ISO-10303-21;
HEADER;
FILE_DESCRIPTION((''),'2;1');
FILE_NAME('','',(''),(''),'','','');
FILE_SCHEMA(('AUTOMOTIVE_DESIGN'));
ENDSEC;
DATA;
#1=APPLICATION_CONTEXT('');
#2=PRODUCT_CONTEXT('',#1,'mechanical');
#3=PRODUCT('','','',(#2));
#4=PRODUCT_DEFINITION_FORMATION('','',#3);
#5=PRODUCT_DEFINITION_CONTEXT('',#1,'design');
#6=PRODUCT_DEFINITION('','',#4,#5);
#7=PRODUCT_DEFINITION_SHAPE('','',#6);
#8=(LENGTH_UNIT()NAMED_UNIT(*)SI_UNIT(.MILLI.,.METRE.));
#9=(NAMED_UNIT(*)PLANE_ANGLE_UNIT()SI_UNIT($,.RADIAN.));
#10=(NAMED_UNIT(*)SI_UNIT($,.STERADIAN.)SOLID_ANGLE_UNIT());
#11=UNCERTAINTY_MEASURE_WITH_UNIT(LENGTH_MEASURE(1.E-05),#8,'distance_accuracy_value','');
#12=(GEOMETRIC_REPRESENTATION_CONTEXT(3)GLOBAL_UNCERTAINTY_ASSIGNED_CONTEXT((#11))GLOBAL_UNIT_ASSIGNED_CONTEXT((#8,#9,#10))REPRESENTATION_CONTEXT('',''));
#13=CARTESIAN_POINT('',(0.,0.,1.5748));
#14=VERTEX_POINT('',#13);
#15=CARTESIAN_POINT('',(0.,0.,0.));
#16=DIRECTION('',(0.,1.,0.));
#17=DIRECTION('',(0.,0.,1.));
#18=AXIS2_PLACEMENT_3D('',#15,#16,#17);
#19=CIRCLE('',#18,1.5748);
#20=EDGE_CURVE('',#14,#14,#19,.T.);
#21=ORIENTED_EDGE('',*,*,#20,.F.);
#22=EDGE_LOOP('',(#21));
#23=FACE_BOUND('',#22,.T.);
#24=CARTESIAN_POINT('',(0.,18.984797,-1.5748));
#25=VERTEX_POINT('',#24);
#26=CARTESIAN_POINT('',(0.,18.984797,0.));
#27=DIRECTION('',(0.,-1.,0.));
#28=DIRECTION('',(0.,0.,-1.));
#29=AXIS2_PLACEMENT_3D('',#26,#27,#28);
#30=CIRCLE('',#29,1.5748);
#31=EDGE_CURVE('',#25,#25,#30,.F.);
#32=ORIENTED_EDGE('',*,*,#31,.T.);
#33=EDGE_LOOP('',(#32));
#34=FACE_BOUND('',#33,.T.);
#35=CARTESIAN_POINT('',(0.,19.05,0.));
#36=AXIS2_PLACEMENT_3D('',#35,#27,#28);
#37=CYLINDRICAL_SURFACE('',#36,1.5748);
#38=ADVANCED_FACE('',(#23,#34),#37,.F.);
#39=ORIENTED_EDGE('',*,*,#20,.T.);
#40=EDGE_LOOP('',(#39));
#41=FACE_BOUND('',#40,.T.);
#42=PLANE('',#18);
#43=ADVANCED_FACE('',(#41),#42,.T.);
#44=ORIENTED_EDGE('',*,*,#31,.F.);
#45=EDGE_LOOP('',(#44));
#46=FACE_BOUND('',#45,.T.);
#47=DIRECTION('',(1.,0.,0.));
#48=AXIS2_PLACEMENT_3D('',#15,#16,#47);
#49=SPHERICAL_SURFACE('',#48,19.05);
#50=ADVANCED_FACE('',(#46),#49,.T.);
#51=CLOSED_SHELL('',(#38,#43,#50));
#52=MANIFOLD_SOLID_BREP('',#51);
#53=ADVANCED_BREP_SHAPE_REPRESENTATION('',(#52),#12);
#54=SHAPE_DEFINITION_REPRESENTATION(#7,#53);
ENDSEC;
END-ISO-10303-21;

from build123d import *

# Parameters (mm, degrees)
SKETCH2_R  = 1.5748
HOLE_DEPTH = 20.05


with BuildPart() as part:
    # Sketch1 → Revolve1 (revolve)
    with BuildSketch(Plane.XY):
        with BuildLine():
            Line((0, 19.05), (0, -19.05))
            ThreePointArc((0, -19.05), (19.05, 0), (0, 19.05))
        make_face()
    revolve(axis=Axis((0, 19.05, 0), (0, -1, 0)))

    # Sketch2 → Hole (cut, through all)
    with BuildSketch(Plane(origin=(0, 0, 0), x_dir=(1, 0, 0), z_dir=(0, 1, 0))):
        Circle(SKETCH2_R)
    extrude(amount=HOLE_DEPTH, mode=Mode.SUBTRACT)


solid = part.part
